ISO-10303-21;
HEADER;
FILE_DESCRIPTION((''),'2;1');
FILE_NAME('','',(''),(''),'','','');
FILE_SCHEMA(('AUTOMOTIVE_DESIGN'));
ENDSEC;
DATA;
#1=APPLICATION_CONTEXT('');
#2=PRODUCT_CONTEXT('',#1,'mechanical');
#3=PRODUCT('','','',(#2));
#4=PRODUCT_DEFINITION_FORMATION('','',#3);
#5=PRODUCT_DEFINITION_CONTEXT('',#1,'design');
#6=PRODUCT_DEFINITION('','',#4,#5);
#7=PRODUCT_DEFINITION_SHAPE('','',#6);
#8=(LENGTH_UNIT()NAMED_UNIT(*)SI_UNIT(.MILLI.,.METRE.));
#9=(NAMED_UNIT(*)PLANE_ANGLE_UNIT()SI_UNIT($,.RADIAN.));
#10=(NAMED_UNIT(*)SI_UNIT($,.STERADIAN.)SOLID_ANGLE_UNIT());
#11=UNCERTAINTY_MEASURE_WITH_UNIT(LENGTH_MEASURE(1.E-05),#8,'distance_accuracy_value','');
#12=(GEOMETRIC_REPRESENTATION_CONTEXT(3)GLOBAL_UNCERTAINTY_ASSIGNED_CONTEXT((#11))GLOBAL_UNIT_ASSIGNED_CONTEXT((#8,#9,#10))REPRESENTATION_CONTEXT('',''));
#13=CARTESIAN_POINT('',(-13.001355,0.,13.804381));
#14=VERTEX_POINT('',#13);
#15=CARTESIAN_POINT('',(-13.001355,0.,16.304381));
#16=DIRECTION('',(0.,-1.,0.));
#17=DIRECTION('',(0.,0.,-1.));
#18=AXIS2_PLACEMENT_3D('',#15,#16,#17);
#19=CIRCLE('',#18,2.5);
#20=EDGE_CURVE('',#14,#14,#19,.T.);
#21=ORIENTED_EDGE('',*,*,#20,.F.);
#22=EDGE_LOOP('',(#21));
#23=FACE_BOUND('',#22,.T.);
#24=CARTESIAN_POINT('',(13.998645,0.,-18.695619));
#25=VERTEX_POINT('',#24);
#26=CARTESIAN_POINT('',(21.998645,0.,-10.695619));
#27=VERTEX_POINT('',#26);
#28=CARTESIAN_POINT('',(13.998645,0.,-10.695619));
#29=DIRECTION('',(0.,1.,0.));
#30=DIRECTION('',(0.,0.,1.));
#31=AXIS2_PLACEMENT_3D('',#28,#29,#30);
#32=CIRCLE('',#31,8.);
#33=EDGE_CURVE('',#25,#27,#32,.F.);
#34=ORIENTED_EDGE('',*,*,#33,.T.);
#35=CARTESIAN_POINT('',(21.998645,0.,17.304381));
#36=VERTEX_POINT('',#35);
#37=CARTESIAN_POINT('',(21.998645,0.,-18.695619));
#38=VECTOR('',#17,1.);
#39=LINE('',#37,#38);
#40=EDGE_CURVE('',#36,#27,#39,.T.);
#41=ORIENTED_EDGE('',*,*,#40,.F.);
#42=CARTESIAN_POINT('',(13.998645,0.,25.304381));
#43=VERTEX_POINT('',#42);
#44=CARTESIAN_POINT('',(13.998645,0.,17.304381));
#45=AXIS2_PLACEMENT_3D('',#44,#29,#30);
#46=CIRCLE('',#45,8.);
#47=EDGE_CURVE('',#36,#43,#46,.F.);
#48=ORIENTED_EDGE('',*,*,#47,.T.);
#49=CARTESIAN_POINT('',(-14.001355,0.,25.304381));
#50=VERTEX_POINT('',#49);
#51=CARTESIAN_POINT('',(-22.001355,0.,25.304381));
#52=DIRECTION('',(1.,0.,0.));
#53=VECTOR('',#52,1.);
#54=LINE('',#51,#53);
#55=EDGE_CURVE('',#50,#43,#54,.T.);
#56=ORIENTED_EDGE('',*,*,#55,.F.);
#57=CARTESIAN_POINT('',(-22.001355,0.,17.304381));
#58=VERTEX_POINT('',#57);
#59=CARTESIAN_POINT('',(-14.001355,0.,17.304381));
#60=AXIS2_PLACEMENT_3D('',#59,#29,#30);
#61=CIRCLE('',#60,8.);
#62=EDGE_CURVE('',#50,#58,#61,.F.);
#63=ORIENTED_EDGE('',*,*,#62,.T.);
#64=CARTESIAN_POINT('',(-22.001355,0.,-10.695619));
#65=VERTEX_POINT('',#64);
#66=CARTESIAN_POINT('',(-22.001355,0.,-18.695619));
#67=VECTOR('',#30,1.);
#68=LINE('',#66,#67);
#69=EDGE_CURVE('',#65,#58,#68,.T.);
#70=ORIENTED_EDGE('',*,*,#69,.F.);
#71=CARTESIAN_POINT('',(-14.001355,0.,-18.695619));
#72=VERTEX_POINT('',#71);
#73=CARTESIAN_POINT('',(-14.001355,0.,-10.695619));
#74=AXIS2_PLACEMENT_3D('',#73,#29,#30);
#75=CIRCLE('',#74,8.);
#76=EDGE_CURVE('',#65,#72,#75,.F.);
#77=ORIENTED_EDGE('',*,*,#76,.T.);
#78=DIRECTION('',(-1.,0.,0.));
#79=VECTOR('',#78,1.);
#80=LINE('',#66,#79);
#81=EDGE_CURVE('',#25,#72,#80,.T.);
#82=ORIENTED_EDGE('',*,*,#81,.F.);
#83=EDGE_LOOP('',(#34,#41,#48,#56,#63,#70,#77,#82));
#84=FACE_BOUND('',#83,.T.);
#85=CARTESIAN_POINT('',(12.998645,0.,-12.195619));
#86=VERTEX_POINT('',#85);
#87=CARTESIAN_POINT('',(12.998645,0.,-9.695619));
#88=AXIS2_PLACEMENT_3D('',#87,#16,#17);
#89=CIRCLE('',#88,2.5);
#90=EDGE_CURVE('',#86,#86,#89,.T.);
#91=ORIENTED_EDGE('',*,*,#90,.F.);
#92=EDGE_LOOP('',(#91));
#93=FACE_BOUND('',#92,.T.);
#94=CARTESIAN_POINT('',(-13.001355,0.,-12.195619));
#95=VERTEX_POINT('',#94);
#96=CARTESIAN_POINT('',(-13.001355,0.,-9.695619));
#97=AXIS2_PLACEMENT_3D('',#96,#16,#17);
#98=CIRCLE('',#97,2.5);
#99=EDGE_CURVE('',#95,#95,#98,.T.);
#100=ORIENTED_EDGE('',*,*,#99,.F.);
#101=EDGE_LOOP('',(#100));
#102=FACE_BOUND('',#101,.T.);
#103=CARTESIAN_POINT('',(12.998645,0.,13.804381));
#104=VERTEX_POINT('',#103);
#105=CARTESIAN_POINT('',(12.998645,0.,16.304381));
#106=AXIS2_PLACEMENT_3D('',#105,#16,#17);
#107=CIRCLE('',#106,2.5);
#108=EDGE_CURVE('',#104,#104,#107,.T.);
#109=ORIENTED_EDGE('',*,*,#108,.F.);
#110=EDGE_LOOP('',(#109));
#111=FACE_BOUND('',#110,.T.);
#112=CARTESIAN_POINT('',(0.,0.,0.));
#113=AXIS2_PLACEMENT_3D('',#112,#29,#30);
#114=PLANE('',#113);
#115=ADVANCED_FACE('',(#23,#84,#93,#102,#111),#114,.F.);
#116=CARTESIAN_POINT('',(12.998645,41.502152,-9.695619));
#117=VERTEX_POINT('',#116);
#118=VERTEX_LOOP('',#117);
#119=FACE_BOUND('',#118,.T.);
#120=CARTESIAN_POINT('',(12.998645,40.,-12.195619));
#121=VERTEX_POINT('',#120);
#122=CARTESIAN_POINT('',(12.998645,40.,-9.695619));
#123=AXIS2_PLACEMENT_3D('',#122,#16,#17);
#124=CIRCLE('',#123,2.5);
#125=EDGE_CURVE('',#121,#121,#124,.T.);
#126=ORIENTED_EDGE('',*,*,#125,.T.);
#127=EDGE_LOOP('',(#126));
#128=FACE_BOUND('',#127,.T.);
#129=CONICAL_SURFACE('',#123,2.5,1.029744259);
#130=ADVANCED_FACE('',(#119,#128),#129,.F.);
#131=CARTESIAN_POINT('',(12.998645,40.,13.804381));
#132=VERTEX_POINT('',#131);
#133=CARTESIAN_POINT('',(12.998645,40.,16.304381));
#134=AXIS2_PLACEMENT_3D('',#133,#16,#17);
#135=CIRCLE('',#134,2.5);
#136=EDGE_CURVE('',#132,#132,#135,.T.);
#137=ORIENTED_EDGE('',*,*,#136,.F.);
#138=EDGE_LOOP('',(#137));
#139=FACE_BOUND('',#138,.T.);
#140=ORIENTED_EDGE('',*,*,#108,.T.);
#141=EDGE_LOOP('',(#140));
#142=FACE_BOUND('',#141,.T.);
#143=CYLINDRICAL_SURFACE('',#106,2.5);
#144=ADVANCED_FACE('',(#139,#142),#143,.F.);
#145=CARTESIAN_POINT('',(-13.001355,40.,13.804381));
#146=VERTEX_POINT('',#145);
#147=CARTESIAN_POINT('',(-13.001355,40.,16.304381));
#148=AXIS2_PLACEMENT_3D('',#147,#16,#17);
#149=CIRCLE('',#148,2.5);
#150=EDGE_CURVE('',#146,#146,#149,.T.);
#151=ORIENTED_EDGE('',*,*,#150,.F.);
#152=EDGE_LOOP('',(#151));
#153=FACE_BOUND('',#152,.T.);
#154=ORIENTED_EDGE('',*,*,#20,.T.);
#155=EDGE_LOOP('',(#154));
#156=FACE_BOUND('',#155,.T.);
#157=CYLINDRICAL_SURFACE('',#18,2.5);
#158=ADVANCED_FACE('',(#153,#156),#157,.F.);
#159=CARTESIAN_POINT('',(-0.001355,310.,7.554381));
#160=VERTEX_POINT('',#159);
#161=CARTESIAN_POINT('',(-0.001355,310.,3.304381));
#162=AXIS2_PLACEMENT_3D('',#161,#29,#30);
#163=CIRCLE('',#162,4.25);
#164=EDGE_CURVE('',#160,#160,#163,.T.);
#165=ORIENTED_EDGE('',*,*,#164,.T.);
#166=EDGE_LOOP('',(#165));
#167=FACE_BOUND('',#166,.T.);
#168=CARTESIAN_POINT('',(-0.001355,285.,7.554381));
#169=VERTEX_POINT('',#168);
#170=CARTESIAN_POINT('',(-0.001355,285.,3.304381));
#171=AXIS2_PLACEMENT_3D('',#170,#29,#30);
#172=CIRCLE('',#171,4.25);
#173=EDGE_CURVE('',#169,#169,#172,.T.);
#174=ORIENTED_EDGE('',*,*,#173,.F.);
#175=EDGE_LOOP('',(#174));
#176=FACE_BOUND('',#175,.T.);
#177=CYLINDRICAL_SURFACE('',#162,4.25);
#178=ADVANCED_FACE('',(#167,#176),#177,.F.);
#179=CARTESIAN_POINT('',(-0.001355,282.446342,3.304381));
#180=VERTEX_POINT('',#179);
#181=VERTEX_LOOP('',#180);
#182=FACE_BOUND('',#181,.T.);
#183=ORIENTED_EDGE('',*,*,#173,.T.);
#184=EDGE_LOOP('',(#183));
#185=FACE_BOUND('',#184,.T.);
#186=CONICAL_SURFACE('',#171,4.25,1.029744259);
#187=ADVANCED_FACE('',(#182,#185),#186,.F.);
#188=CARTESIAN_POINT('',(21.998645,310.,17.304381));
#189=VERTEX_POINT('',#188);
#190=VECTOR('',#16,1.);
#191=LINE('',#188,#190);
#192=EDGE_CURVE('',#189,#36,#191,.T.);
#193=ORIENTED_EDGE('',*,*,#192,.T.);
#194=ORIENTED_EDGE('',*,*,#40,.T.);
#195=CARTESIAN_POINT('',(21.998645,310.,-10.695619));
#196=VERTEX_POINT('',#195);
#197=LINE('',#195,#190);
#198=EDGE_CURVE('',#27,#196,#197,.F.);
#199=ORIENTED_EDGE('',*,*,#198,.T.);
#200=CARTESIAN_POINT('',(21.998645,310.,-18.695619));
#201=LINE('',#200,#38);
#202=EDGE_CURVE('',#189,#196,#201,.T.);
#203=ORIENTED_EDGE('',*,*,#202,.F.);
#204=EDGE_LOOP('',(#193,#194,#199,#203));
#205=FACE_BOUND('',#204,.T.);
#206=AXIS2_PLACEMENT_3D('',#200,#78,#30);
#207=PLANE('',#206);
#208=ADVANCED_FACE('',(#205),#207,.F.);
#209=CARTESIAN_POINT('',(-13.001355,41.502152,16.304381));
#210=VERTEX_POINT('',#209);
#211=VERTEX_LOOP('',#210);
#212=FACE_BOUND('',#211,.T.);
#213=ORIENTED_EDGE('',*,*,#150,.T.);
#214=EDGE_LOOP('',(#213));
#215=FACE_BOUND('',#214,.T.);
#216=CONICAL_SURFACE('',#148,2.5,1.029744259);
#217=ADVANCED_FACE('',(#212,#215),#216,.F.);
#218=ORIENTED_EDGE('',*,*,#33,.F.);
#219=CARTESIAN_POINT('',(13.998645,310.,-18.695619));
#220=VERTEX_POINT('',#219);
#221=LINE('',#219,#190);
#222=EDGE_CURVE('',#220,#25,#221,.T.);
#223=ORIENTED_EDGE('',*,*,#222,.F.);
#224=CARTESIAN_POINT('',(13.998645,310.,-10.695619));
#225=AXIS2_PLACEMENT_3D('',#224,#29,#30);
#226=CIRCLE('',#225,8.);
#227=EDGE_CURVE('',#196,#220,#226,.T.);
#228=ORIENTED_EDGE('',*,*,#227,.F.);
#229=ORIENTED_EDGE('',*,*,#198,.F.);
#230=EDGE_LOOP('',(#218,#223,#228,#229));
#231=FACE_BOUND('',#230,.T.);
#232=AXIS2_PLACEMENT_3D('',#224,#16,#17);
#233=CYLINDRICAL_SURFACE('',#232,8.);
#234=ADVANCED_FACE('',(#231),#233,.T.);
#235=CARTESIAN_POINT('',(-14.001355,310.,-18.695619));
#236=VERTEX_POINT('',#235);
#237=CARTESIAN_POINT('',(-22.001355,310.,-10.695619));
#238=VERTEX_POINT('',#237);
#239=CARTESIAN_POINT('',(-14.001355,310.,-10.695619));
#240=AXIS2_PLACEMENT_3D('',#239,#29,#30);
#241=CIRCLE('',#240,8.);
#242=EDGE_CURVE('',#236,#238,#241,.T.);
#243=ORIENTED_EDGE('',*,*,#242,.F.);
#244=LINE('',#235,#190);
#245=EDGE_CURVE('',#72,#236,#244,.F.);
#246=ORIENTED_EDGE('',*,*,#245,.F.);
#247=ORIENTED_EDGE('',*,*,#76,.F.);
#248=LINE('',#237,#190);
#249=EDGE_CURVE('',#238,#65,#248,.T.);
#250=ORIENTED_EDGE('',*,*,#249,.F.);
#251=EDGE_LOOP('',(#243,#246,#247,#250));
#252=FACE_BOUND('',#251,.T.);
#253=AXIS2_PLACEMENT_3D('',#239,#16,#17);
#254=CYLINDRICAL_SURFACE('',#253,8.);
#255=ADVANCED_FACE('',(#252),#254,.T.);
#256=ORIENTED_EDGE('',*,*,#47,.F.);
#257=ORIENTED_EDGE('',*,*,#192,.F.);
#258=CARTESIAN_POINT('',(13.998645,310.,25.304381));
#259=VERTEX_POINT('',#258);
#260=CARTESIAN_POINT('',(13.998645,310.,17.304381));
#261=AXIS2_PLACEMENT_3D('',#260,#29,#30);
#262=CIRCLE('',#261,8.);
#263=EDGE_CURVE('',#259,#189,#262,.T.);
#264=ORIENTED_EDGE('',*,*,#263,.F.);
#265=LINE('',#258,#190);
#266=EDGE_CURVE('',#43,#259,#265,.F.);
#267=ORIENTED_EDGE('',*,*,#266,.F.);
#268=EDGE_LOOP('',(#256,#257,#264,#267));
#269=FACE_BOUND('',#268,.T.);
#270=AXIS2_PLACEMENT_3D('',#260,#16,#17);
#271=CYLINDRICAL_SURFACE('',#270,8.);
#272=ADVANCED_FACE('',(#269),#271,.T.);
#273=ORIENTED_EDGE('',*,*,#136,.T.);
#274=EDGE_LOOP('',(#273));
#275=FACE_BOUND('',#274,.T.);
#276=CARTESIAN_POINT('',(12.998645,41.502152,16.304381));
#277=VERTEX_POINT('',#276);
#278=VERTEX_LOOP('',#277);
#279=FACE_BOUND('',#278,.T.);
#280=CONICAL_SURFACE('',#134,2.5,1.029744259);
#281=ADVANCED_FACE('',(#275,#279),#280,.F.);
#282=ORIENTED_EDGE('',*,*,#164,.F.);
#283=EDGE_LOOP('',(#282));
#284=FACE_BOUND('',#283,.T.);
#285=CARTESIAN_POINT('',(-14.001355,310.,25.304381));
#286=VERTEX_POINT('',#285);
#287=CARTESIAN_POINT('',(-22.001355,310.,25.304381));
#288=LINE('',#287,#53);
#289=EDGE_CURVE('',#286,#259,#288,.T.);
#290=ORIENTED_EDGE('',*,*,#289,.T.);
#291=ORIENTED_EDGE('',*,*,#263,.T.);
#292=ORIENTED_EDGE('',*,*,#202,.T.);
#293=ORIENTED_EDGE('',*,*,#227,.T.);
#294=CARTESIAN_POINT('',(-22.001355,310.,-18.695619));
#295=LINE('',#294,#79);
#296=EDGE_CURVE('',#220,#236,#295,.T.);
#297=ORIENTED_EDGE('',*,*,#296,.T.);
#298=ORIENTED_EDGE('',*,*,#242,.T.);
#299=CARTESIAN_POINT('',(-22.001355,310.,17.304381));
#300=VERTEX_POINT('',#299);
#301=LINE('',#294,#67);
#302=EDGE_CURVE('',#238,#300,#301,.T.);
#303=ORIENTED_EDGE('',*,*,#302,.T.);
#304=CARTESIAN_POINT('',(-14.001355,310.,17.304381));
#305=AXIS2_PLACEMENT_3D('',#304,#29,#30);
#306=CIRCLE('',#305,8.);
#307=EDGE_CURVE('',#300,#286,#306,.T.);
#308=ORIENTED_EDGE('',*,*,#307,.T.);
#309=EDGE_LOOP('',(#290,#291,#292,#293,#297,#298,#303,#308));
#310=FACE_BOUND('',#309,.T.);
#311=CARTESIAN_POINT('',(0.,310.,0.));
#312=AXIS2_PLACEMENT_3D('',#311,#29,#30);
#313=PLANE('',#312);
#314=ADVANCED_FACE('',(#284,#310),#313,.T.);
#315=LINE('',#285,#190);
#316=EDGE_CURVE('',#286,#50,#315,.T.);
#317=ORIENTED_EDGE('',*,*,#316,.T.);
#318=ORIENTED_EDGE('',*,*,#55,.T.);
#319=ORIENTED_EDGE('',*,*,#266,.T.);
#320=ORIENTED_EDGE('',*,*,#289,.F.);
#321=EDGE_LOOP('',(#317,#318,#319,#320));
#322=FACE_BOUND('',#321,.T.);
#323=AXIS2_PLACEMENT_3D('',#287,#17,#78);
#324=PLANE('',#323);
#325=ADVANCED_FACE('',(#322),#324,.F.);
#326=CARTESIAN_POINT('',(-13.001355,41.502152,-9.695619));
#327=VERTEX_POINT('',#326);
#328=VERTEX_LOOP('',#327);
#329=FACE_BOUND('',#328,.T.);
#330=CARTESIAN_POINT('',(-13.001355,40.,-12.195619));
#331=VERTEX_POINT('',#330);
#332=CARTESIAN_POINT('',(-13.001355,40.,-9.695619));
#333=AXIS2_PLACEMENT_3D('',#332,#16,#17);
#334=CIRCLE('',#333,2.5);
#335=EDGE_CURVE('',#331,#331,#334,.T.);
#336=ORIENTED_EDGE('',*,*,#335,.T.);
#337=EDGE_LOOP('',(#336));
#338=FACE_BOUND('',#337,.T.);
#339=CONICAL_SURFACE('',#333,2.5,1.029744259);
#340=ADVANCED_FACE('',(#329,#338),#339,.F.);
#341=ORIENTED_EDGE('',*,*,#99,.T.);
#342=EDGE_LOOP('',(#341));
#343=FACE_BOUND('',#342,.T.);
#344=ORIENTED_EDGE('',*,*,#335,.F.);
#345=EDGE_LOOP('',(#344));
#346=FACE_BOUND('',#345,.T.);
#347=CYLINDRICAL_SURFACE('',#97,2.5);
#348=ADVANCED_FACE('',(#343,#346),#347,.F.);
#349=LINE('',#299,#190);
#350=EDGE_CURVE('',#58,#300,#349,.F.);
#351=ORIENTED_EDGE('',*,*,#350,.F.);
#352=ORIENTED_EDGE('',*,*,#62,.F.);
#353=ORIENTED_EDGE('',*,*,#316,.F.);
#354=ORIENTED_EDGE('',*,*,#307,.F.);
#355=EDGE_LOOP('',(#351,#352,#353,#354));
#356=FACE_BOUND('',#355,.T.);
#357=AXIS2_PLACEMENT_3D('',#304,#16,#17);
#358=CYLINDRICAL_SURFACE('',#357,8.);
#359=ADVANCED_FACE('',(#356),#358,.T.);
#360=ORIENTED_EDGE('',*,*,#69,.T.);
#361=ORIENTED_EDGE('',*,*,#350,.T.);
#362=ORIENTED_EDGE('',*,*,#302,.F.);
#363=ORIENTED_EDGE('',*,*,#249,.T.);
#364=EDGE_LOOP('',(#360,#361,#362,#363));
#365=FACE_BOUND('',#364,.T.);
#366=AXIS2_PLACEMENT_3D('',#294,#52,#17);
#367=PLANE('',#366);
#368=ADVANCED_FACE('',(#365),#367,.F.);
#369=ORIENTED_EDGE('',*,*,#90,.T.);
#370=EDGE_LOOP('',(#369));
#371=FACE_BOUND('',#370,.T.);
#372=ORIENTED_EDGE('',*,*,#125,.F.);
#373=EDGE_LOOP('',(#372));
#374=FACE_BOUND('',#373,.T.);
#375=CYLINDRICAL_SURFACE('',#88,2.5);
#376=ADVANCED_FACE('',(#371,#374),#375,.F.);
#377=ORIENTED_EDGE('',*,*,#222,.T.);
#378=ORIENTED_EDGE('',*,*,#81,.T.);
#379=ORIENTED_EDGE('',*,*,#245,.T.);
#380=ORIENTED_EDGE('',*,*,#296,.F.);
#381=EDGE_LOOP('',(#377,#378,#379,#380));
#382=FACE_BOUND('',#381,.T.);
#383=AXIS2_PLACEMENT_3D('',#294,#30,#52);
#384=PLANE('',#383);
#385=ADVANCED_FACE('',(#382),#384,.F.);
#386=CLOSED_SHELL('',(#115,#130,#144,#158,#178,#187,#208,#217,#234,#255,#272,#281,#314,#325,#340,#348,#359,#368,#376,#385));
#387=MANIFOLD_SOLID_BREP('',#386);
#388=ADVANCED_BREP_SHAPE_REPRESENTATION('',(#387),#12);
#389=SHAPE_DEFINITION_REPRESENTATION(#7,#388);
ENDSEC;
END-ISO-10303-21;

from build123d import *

# Parameters (mm, degrees)
SKETCH_2_W              = 44
SKETCH_2_H              = 44
EXTRUDE_1_DEPTH         = 310
HOLE_WIZARD_M10_1_D     = 8.5
HOLE_WIZARD_M10_1_DEPTH = 25
HOLE_WIZARD_M10_1_TIP   = 2.553657631
HOLE_WIZARD_M6_1_D      = 5
HOLE_WIZARD_M6_1_DEPTH  = 40
HOLE_WIZARD_M6_1_TIP    = 1.502151548
FILLET_1_R              = 8


with BuildPart() as part:
    # 草图2 → 凸台-拉伸1 (new body)
    with BuildSketch(Plane(origin=(0, 0, 0), x_dir=(1, 0, 0), z_dir=(0, 1, 0))):
        with Locations((-0.001355374, -3.30438103)):
            Rectangle(SKETCH_2_W, SKETCH_2_H)
    extrude(amount=EXTRUDE_1_DEPTH)

    # M10 螺纹孔1
    with Locations(Plane(origin=(0, 310, 0), x_dir=(1, 0, 0), z_dir=(0, 1, 0))):
        with Locations((-0.001355374, -3.30438103)):
            Hole(HOLE_WIZARD_M10_1_D / 2, depth=HOLE_WIZARD_M10_1_DEPTH)
            with Locations((0, 0, -(HOLE_WIZARD_M10_1_DEPTH + HOLE_WIZARD_M10_1_TIP / 2))):  # 118° drill point
                Cone(0, HOLE_WIZARD_M10_1_D / 2, HOLE_WIZARD_M10_1_TIP, mode=Mode.SUBTRACT)

    # M6 螺纹孔1
    with Locations(Plane(origin=(-13.001355374, 0, 16.30438103), x_dir=(0, 0, -1), z_dir=(0, -1, 0))):
        with Locations((0, 0), (0, 26), (26, 26), (26, 0)):
            Hole(HOLE_WIZARD_M6_1_D / 2, depth=HOLE_WIZARD_M6_1_DEPTH)
            with Locations((0, 0, -(HOLE_WIZARD_M6_1_DEPTH + HOLE_WIZARD_M6_1_TIP / 2))):  # 118° drill point
                Cone(0, HOLE_WIZARD_M6_1_D / 2, HOLE_WIZARD_M6_1_TIP, mode=Mode.SUBTRACT)

    # 圆角1
    fillet_1_edges = [part.edges().sort_by_distance(p)[0] for p in [
        (-22.001355374, 155, -18.69561897),
        (21.998644626, 155, -18.69561897),
        (21.998644626, 155, 25.30438103),
        (-22.001355374, 155, 25.30438103),
    ]]
    fillet(fillet_1_edges, radius=FILLET_1_R)


solid = part.part
